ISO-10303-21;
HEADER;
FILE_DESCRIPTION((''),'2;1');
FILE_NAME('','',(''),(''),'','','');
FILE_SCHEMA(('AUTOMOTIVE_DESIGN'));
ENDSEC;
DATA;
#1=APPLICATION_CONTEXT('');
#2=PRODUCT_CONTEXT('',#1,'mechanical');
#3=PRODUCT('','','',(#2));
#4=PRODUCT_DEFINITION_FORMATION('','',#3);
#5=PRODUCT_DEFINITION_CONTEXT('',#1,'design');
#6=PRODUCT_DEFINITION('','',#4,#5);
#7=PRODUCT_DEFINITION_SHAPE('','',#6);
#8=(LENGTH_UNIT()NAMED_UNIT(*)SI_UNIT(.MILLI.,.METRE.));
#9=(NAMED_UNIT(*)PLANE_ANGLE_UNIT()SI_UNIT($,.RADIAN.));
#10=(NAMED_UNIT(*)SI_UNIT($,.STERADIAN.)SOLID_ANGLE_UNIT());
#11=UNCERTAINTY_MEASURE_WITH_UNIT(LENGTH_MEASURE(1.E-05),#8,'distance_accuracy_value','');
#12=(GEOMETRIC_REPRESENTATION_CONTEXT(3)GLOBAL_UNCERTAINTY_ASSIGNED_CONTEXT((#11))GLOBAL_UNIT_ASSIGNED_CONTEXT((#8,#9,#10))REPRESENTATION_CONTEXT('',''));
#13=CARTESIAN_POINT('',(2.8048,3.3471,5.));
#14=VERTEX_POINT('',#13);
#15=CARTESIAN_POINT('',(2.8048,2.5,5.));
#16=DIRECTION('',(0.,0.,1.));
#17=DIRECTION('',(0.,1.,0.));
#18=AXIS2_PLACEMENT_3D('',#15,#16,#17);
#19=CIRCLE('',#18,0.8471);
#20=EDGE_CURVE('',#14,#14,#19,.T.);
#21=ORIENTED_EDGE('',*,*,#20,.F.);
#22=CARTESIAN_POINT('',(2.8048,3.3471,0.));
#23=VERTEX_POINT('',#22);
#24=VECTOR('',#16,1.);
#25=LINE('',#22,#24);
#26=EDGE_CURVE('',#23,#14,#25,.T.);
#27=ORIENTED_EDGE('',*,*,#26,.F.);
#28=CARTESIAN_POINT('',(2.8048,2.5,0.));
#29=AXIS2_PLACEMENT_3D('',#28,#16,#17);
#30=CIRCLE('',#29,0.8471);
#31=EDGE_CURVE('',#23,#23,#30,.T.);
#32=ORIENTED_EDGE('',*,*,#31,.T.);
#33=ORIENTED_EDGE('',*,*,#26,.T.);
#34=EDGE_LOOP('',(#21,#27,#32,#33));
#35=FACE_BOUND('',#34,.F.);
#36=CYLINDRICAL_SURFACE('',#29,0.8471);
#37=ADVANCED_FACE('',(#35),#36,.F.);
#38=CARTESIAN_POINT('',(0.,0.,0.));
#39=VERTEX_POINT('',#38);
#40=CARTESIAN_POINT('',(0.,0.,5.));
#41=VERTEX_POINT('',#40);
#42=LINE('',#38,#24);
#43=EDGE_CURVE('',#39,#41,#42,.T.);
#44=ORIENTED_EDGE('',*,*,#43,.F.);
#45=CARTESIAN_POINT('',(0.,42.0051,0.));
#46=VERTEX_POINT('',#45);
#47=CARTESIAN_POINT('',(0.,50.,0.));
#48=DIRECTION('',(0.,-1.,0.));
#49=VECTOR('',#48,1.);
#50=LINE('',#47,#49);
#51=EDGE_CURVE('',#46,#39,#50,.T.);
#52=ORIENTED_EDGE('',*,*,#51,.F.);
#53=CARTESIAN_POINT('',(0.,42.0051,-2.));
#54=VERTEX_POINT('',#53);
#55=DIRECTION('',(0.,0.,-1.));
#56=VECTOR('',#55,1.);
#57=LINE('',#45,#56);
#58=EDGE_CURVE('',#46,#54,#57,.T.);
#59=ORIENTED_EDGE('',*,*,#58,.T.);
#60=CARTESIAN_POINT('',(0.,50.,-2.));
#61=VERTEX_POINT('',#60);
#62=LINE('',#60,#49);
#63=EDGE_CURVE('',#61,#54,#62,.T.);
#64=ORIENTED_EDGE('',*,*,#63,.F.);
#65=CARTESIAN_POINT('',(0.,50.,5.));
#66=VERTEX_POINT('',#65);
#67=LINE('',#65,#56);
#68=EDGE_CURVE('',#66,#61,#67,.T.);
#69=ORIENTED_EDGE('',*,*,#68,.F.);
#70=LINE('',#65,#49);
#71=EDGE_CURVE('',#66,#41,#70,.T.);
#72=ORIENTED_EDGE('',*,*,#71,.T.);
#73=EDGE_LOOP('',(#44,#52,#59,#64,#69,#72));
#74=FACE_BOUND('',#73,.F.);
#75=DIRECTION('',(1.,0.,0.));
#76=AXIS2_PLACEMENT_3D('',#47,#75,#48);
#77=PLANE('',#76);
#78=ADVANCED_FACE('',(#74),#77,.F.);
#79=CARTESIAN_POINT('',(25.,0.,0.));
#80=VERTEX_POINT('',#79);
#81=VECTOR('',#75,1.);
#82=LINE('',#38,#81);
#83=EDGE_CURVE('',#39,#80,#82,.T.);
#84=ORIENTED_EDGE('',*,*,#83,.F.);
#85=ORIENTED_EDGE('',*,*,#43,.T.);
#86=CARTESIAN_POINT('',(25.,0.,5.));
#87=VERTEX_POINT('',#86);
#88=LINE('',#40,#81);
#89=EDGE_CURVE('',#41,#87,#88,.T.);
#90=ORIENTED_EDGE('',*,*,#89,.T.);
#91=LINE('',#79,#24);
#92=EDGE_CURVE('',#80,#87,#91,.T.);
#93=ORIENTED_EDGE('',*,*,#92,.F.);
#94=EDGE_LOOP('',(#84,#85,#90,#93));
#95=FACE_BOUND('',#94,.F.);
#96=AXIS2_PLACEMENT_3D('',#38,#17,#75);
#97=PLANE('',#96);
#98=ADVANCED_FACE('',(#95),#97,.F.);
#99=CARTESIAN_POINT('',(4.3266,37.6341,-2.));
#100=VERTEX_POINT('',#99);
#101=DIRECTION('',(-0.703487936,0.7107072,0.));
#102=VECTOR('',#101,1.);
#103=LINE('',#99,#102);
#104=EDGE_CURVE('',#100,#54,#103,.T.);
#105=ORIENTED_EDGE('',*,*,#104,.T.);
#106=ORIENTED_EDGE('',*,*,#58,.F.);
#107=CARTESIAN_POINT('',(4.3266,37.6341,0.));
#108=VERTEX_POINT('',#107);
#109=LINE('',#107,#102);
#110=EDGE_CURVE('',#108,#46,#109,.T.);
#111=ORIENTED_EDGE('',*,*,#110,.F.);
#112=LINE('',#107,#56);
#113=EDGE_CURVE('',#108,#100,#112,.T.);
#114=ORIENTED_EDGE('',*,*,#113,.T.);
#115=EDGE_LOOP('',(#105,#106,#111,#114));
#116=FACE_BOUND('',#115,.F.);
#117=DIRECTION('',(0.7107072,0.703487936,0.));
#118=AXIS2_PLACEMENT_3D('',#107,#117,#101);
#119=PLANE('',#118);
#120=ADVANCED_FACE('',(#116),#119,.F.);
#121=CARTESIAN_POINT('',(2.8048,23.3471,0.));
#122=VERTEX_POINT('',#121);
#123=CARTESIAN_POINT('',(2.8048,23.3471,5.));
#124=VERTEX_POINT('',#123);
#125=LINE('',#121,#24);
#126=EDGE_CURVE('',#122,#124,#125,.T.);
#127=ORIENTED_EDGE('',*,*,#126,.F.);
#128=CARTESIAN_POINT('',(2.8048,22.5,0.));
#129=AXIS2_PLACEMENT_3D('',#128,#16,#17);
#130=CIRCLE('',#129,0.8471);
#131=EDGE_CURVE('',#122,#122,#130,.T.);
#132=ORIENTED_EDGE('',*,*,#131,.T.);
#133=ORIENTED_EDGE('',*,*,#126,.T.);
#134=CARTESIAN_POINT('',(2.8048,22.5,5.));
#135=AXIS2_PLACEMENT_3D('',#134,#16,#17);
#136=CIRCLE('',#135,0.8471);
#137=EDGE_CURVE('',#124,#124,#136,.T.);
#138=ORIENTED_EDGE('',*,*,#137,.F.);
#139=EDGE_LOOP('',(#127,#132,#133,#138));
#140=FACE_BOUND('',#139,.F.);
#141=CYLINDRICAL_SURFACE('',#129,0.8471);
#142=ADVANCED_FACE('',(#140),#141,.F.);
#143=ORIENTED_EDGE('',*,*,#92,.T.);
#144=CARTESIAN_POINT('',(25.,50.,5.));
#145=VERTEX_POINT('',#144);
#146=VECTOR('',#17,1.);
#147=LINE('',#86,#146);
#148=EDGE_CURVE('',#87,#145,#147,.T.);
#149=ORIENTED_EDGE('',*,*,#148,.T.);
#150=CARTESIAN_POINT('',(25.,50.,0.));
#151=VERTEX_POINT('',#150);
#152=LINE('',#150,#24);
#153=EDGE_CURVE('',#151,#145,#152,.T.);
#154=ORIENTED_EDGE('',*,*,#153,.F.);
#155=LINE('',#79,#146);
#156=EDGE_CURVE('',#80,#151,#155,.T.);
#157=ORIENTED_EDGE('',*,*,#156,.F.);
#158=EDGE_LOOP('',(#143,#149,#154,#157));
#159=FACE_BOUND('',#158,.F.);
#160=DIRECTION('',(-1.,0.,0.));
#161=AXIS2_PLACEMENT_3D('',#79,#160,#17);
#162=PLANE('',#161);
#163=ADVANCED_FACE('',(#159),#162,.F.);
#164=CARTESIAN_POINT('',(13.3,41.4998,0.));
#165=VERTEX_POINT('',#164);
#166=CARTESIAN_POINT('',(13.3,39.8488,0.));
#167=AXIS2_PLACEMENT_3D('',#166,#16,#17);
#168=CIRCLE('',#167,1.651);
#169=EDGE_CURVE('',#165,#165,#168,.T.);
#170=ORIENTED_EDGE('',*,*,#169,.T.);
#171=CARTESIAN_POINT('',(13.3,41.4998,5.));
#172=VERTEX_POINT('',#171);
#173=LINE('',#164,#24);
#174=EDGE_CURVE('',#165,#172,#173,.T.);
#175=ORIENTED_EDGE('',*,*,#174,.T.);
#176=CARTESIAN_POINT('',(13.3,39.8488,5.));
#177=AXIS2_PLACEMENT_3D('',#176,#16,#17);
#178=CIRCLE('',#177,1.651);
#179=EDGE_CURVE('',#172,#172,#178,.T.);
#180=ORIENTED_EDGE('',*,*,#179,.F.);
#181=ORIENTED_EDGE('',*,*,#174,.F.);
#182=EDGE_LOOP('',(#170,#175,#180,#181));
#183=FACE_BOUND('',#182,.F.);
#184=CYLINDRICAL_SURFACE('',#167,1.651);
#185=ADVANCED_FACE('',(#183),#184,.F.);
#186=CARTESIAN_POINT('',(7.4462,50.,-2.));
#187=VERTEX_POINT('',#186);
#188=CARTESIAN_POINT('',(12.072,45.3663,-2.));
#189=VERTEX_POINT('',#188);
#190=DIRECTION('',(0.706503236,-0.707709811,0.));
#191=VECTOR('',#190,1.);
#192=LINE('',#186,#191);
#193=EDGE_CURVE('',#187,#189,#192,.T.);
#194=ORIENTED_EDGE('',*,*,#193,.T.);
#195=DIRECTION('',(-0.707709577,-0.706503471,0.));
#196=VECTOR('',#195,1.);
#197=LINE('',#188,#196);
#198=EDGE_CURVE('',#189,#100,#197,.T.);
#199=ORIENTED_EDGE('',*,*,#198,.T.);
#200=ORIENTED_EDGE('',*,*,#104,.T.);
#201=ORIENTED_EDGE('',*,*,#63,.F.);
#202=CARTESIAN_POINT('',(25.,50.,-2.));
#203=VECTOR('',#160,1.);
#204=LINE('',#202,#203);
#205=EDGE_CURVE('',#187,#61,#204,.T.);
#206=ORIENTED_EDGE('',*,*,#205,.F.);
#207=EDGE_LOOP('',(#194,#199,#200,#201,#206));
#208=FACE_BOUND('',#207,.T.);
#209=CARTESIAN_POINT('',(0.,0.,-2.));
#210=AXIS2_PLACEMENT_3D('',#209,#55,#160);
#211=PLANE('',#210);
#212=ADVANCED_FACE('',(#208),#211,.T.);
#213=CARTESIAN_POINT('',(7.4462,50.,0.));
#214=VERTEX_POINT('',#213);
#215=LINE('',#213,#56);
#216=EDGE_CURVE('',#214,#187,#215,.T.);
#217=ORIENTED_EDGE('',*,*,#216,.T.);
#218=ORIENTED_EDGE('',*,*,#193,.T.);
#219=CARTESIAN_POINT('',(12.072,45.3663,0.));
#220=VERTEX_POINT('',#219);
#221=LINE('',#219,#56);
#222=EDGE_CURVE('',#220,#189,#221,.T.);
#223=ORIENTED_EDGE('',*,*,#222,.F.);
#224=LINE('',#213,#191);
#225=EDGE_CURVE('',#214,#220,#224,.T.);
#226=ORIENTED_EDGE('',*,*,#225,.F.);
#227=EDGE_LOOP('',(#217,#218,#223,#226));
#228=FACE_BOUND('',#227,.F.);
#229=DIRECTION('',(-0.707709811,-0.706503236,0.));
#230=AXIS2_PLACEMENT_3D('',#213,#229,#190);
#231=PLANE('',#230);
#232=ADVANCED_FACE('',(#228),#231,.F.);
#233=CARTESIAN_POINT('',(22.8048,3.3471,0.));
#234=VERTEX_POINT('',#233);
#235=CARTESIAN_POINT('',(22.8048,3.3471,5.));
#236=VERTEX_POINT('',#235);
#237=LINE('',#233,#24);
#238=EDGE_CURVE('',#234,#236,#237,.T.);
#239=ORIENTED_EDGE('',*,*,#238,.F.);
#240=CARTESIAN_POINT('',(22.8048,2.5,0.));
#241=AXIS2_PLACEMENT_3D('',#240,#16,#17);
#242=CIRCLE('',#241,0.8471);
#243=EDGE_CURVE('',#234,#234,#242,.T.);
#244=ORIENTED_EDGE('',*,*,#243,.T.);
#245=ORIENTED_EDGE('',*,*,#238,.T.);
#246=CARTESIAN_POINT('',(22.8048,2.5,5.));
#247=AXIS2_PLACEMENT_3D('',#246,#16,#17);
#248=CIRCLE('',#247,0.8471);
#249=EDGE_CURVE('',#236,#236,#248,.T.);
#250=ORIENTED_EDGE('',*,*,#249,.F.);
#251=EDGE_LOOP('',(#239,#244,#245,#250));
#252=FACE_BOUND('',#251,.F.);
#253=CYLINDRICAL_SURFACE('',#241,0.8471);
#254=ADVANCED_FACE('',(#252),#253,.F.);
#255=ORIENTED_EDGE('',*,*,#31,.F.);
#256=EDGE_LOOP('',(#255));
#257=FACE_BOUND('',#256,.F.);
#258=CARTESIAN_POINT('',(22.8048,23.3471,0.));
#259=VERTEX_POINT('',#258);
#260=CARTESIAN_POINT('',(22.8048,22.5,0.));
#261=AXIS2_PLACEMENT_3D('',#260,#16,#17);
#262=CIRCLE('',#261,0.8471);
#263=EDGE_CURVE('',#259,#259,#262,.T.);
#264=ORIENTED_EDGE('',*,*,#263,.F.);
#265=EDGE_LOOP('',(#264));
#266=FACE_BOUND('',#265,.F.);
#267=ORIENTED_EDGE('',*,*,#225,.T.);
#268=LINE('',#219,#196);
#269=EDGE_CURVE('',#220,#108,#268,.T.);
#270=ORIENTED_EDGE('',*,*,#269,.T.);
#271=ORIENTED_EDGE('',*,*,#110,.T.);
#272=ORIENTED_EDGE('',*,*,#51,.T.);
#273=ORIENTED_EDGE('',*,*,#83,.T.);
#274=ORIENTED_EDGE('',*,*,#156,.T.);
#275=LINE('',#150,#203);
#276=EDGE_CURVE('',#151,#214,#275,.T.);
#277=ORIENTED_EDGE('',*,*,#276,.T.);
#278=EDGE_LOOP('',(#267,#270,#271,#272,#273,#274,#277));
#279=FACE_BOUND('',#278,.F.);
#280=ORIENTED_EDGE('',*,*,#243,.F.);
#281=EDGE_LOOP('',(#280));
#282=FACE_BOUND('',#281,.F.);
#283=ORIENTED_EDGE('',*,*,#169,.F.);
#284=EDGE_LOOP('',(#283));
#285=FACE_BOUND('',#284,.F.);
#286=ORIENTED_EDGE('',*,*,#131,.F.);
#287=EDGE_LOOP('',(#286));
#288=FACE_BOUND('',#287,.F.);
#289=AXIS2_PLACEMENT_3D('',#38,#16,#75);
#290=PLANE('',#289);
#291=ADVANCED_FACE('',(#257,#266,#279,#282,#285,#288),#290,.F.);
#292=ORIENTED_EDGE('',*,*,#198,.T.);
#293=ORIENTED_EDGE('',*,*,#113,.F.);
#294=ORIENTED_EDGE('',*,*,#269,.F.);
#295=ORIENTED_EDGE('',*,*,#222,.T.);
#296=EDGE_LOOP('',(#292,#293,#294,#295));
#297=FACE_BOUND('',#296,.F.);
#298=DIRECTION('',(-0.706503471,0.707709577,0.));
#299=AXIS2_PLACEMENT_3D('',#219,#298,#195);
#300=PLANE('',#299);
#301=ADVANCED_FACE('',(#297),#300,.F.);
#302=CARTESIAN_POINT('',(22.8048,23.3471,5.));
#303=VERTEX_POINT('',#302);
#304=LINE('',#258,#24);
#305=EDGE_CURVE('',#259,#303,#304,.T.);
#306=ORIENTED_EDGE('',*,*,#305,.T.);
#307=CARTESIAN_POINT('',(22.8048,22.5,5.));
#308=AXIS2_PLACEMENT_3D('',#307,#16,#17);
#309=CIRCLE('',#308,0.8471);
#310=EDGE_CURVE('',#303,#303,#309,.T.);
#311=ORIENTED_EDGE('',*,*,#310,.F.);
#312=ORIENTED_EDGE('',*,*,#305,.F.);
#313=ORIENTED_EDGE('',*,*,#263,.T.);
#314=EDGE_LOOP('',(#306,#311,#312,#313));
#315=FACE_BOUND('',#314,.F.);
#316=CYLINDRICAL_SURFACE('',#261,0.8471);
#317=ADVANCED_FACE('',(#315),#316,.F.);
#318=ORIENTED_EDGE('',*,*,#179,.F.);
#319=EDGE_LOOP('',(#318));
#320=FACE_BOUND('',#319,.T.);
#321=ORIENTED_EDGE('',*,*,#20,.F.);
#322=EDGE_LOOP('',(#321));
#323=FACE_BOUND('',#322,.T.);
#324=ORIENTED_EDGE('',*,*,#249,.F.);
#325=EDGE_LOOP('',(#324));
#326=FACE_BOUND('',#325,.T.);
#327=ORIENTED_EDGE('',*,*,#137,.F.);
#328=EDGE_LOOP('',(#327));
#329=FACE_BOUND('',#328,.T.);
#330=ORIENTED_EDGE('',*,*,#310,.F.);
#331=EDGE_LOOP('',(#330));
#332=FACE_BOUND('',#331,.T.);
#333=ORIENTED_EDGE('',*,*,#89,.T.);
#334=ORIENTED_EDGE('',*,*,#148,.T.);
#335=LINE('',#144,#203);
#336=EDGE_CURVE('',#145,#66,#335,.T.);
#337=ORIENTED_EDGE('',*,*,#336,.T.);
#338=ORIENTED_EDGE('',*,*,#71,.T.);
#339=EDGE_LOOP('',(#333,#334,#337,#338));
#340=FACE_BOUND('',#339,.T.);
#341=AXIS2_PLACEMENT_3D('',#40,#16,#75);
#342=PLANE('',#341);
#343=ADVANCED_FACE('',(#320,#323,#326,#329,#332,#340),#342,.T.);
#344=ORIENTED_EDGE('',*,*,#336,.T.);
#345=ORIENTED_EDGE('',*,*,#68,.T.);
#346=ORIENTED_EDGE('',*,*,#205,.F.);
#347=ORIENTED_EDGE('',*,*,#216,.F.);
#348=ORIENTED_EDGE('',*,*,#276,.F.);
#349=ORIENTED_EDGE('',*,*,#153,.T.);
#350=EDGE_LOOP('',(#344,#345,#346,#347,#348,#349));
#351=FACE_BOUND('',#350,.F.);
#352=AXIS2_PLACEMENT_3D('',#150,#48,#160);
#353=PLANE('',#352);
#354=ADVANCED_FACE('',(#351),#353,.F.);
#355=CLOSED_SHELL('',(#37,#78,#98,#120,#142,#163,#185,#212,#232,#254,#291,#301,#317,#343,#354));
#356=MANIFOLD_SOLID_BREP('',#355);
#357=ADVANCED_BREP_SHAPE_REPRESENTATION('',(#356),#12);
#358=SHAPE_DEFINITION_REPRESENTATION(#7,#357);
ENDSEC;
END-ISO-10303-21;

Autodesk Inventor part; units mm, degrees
ref_plane "YZ Plane" through (0, 0, 0) normal (1, 0, 0) x (0, 1, 0)
ref_plane "XZ Plane" through (0, 0, 0) normal (0, 1, 0) x (-1, 0, 0)
ref_plane "XY Plane" through (0, 0, 0) normal (0, 0, 1) x (1, 0, 0)
sketch "Sketch1" plane through (0, 0, 0) normal (0, 0, 1) x (1, 0, 0)
  line L0 (0, 0) -> (25, 0)
  line L1 (25, 0) -> (25, 50)
  line L2 (25, 50) -> (0, 50)
  line L3 (0, 50) -> (0, 0)
  dimension "d0" = 50
  dimension "d1" = 25
extrude "Extrusion1" add sketch "Sketch1" along normal blind 5
sketch "Sketch7" plane through (0, 0, 0) normal (0, 0, -1) x (-1, 0, 0)
  line L0 (0, 0) -> (-25, 0) projected
  line L1 (0, 50) -> (0, 0) projected
  line L2 (-25, 50) -> (0, 50) projected
  line L3 (-25, 0) -> (-25, 50) projected
  line L4 (-26.9321, 31.3954) -> (-26.9317, 31.395) projected
  line L5 (-6.036, 52.1675) -> (-6.0379, 52.1694) projected
  line L6 (-6.0392, 52.1707) -> (-6.0403, 52.1719) projected
  line L7 (-25, 50) -> (-17.5538, 50)
  line L8 (-9.8347, 48.3993) -> (-9.8243, 48.3993)
  line L9 (-25, 50) -> (-25, 43.2194)
  line L10 (-25, 33.3181) -> (-25, 33.3148)
  line L11 (-25, 50) -> (-25, 0)
  line L12 (-25, 0) -> (0, 0)
  line L13 (0, 0) -> (0, 50)
  line L14 (-4.3266, 37.6341) -> (0, 42.0051)
  line L15 (-7.4462, 50) -> (-12.072, 45.3663)
  line L16 (-12.072, 45.3663) -> (-4.3266, 37.6341)
  line L17 (-12.072, 45.3663) -> (-4.3266, 37.6341)
  point P0 (0, 33.3148)
  point P1 (0, 45.3321)
  point P2 (0, 37.6341)
  point P3 (-16.7135, 50)
  point P4 (0, 42.0051)
  dimension "d59" = 16.7135
  dimension "d60" = 7.4462
extrude "Extrusion3" add sketch "Sketch7" along normal blind 2 from surface at 0 contours L14 L16 L15 L2 L1
sketch "Sketch11" plane through (0, 0, 0) normal (0, 0, -1) x (-1, 0, 0)
  circle A0 centre (-13.3, 39.8488) radius 1.651
  line L0 (-25, 50) -> (-7.4462, 50) projected
  line L1 (-25, 0) -> (-25, 50) projected
  point P0 (0, 0)
  dimension "d61" = 3.302
  dimension "d62" = 10.1512
  dimension "d63" = 11.7
hole "Hole5" at (13.3, 39.8488, 0) direction (0, 0, 1) diameter 3.302 end through all thread size "8-32 UNC" class "2B" standard "ANSI Unified Screw Threads"
sketch "Sketch12" plane through (0, 0, 0) normal (0, 0, -1) x (-1, 0, 0)
  circle A0 centre (-22.8048, 22.5) radius 0.847
  line L0 (0, 0) -> (-25, 0) projected
  line L1 (-25, 0) -> (-25, 50) projected
  circle A1 centre (-22.8048, 2.5) radius 0.847
  circle A2 centre (-2.8048, 22.5) radius 0.847
  line L2 (0, 42.0051) -> (0, 0) projected
  circle A3 centre (-2.8048, 2.5) radius 0.847
  dimension "d71" = 1.694
  dimension "d72" = 22.5
  dimension "d73" = 2.1952
  dimension "d74" = 1.694
  dimension "d75" = 20
  dimension "d76" = 2.8048
  dimension "d77" = 1.694
  dimension "d78" = 1.694
hole "Hole8" at (22.8048, 22.5, 0) at (22.8048, 2.5, 0) at (2.8048, 22.5, 0) at (2.8048, 2.5, 0) direction (0, 0, 1) diameter 1.6942 end through all thread size "2-56 UNC" class "2B" standard "ANSI Unified Screw Threads"
properties part number "mirror translation stage adapter v2"
